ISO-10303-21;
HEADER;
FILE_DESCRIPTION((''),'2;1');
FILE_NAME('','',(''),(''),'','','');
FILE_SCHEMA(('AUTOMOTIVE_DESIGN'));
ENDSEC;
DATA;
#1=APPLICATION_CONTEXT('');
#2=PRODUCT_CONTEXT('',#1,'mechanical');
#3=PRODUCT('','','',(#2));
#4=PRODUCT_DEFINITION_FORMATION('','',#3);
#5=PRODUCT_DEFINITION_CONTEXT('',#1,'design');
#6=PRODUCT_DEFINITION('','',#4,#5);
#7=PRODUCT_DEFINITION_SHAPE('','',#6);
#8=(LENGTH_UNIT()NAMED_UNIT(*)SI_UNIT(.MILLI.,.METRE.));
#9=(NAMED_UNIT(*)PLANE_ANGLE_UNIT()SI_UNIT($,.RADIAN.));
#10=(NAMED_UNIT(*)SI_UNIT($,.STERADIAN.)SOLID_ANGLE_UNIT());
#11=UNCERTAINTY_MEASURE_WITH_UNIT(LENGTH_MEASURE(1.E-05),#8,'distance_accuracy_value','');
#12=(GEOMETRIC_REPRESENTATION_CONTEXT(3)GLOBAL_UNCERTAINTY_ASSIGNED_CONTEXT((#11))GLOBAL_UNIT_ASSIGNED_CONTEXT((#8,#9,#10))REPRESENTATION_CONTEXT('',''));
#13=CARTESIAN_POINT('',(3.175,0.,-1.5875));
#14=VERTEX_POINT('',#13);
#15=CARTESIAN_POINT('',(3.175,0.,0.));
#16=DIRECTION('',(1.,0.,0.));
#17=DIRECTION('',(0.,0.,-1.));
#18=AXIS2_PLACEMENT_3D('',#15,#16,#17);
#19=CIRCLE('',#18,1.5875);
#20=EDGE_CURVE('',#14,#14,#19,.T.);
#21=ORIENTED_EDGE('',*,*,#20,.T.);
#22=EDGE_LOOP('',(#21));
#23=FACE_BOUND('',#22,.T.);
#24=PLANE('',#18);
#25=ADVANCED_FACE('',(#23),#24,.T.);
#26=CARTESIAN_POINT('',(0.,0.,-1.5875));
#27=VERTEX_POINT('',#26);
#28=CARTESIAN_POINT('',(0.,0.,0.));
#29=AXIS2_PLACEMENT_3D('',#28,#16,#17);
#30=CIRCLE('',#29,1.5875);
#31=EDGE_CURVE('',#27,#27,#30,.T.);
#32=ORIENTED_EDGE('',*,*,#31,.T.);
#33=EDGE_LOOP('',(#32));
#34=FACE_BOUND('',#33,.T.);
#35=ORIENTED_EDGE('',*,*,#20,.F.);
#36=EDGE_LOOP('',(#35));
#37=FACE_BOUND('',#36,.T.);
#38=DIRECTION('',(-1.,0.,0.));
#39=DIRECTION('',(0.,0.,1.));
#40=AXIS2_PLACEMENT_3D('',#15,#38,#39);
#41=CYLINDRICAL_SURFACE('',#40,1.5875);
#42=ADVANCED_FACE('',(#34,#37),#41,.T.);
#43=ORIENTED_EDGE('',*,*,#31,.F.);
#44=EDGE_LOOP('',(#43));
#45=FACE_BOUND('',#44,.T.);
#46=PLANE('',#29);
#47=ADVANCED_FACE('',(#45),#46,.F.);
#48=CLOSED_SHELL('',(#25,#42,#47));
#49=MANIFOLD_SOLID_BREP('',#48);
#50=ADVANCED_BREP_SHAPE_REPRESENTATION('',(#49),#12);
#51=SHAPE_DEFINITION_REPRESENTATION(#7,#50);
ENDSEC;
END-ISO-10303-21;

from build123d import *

# Parameters (mm, degrees)
SKETCH1_R           = 1.5875
BOSS_EXTRUDE1_DEPTH = 3.175


with BuildPart() as part:
    # Sketch1 → Boss-Extrude1 (new body)
    with BuildSketch(Plane(origin=(0, 0, 0), x_dir=(0, 0, -1), z_dir=(1, 0, 0))):
        Circle(SKETCH1_R)
    extrude(amount=BOSS_EXTRUDE1_DEPTH)


solid = part.part
